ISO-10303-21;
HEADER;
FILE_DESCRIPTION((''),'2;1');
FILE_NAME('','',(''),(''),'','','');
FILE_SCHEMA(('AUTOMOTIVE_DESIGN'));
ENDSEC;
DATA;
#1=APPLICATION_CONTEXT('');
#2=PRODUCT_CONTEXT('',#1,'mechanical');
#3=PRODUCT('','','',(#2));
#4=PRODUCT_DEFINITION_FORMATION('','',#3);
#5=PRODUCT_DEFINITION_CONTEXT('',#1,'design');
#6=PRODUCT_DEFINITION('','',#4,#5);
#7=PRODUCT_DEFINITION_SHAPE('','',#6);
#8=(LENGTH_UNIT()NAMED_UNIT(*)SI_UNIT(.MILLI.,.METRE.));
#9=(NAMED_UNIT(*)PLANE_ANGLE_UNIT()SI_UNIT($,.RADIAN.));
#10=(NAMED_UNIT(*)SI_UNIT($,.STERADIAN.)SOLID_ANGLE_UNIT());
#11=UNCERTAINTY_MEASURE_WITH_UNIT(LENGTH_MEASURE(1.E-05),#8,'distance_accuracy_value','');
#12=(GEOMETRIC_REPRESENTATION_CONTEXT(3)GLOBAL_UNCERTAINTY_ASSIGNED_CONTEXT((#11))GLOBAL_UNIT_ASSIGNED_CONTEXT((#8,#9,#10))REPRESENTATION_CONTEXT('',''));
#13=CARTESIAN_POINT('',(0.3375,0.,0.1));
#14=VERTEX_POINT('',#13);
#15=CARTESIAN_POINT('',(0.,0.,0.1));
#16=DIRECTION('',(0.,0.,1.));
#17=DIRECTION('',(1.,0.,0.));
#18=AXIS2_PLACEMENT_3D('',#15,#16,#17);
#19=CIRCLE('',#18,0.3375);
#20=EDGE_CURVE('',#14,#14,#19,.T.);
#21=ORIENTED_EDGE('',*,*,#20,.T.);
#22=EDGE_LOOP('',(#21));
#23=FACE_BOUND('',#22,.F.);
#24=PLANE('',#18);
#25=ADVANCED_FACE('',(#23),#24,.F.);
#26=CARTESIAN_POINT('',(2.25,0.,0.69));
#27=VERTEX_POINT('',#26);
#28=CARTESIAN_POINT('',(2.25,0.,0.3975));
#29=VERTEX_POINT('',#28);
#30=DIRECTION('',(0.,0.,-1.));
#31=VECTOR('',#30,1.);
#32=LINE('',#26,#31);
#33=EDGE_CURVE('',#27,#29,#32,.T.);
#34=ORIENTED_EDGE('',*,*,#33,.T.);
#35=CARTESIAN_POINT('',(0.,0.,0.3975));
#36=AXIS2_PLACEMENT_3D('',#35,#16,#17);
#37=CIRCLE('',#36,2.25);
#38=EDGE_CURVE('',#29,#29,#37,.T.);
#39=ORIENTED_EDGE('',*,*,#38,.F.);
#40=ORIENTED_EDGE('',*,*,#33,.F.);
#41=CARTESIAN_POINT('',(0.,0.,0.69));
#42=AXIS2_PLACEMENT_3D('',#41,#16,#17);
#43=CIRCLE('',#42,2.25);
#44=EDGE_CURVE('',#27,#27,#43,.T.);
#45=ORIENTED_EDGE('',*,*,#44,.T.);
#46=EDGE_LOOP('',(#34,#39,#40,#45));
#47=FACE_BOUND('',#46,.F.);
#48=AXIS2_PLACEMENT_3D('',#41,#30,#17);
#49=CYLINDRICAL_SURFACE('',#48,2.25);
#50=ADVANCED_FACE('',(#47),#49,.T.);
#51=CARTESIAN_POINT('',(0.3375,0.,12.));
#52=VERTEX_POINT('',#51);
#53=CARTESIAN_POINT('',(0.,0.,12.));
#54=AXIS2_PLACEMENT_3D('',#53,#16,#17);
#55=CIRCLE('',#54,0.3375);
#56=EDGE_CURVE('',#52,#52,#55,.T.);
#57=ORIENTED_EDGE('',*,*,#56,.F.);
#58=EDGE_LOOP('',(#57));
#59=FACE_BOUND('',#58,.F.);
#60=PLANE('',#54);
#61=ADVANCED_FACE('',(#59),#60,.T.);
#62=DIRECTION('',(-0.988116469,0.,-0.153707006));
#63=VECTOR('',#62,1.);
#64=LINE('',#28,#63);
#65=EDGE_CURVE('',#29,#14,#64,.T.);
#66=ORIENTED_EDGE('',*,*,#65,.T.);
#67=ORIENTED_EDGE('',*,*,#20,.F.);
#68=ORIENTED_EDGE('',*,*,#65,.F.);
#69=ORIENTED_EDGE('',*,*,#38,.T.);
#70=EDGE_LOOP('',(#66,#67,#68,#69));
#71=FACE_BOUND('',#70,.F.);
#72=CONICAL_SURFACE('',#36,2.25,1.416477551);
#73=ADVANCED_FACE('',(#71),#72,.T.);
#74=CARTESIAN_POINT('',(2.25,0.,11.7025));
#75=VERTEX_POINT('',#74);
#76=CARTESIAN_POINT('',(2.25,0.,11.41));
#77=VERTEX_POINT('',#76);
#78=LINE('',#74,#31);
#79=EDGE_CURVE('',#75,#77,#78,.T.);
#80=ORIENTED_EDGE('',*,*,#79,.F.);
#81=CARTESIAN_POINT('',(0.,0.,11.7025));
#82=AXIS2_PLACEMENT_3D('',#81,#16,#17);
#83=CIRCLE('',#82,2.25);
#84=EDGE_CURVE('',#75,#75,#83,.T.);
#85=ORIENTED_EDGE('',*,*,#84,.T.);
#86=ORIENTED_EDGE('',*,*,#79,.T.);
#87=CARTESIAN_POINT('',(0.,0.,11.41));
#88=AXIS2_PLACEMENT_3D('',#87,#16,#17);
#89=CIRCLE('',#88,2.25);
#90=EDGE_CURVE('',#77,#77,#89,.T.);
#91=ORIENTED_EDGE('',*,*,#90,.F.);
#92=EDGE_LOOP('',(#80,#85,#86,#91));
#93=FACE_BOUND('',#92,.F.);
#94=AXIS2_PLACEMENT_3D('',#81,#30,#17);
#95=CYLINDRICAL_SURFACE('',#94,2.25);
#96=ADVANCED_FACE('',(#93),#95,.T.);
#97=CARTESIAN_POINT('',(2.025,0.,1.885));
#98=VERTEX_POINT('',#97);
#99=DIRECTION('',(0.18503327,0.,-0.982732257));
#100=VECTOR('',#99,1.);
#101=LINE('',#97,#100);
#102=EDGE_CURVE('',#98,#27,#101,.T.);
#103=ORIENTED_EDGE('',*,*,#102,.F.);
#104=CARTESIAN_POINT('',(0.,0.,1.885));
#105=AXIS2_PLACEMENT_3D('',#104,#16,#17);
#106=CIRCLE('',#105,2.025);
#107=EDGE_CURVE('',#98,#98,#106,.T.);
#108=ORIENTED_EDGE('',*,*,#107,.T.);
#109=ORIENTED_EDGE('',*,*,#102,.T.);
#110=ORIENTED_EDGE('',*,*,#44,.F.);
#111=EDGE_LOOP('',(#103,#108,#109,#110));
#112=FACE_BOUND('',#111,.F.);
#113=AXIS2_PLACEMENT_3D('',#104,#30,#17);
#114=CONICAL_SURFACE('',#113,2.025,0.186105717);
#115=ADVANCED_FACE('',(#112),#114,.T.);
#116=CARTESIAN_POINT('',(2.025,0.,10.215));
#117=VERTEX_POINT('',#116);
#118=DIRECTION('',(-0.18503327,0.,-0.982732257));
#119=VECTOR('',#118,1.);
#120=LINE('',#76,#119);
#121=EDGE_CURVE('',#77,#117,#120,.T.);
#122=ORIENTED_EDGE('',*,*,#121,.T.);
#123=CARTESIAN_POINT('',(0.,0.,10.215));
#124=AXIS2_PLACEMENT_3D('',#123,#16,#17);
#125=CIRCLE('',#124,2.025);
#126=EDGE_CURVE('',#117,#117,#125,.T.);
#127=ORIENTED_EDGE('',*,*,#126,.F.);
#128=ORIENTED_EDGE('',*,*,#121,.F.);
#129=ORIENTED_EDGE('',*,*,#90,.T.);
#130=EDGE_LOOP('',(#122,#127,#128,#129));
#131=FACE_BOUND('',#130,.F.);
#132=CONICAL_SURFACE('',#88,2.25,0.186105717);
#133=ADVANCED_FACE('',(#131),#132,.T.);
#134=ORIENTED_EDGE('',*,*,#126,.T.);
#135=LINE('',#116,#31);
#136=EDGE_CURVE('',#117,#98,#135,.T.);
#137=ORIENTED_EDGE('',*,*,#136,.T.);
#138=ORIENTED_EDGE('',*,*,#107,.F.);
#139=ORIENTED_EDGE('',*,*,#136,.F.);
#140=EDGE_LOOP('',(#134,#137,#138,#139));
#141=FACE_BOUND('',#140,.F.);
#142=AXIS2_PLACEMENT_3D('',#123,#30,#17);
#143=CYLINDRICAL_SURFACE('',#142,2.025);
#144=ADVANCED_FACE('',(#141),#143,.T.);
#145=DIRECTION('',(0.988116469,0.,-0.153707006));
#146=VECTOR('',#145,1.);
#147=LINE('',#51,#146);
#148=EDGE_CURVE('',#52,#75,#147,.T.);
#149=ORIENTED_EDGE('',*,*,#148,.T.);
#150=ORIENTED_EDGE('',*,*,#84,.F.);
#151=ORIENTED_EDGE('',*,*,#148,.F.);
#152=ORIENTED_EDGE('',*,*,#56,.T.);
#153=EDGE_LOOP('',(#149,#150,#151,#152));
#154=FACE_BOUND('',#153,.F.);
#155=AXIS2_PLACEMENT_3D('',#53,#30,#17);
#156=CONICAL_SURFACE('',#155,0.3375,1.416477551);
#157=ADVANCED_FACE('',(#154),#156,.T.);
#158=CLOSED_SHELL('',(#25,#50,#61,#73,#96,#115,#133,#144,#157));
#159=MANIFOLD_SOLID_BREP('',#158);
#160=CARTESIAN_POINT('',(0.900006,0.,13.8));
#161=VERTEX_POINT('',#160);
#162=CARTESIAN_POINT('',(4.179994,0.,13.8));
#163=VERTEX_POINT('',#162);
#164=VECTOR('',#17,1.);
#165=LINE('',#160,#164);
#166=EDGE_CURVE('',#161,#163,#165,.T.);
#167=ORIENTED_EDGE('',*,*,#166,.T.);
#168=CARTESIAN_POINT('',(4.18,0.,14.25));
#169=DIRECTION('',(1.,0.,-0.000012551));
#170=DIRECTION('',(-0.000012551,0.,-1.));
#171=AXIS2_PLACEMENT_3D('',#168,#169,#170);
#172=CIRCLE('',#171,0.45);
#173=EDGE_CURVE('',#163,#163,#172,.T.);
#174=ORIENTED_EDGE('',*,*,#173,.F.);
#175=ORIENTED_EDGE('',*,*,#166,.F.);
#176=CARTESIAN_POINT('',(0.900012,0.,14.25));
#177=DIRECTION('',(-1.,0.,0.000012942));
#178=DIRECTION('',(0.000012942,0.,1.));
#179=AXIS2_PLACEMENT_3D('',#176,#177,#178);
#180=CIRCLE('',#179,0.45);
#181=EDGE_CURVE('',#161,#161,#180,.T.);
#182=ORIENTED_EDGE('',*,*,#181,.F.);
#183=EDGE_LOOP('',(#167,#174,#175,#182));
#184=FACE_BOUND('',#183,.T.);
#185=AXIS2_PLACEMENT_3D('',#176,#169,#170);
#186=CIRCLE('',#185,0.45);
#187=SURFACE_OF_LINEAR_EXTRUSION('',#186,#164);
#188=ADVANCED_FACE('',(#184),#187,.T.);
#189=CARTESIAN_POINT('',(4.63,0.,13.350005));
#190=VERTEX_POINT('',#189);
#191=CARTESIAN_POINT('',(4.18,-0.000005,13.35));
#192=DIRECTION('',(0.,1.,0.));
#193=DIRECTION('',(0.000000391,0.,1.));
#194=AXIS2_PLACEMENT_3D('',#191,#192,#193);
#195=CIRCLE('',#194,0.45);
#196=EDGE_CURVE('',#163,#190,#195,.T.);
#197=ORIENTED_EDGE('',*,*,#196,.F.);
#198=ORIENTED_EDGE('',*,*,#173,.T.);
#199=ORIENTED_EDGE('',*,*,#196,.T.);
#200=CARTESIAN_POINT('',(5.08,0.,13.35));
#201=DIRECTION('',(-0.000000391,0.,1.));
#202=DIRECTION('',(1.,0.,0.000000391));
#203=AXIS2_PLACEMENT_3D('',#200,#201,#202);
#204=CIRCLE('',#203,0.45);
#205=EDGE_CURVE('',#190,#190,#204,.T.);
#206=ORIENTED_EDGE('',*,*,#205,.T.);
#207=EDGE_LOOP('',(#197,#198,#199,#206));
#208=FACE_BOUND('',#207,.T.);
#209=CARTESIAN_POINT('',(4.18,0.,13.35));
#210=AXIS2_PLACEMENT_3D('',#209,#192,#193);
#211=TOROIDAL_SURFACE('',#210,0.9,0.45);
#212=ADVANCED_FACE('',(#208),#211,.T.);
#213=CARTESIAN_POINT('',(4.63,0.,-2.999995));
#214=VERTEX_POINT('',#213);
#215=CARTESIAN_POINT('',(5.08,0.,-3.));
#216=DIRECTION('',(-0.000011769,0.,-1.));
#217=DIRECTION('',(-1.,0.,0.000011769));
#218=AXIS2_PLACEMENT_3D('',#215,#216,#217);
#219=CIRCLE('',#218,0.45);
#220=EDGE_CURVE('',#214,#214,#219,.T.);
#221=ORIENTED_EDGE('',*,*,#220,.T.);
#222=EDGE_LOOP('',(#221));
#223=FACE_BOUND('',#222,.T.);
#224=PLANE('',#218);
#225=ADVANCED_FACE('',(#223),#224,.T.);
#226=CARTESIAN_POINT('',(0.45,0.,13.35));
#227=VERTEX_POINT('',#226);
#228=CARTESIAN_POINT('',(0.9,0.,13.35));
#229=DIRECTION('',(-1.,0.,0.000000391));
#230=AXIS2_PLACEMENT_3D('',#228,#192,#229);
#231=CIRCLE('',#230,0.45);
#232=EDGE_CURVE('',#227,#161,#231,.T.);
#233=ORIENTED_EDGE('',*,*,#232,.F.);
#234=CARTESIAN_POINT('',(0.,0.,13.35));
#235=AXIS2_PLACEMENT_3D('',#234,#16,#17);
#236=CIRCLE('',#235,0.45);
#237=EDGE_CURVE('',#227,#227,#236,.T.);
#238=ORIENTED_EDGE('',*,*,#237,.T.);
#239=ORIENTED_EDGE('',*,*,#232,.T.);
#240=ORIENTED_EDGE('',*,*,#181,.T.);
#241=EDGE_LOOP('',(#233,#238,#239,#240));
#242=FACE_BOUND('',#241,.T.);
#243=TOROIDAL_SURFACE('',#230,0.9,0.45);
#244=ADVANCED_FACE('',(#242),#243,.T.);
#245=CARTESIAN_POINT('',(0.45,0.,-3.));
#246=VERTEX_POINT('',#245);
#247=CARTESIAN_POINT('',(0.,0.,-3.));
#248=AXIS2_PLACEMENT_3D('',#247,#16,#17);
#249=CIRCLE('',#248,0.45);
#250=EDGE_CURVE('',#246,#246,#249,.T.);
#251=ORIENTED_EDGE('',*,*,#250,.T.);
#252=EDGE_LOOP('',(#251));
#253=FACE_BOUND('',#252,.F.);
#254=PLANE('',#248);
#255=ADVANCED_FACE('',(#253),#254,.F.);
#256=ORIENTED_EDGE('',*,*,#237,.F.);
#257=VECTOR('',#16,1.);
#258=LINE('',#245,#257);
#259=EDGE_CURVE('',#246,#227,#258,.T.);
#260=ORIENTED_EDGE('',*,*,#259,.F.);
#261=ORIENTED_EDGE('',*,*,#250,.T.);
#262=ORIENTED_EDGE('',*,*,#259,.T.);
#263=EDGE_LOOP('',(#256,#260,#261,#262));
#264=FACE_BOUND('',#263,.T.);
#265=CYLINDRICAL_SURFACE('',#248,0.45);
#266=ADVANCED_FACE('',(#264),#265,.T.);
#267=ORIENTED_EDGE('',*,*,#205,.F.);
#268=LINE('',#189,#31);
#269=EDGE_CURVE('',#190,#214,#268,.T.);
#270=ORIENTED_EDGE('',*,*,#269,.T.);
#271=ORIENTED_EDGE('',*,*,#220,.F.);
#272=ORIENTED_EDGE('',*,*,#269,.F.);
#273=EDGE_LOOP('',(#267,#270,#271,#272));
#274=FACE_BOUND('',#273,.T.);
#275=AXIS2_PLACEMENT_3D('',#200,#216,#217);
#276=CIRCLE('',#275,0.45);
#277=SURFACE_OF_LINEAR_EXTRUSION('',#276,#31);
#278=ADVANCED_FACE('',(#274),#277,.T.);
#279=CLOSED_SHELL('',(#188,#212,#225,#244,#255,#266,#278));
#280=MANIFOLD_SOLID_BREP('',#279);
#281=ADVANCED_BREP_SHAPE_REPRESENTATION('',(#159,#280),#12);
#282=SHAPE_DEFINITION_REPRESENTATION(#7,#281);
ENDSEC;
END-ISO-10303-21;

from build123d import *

# Parameters (mm, degrees)
SKETCH_R = 0.45


with BuildPart() as sweep_body:
    # Sweep: sweep along a path in Sketch001
    with BuildLine(Plane.XZ) as sweep_path:
        Line((0, -3), (0, 13.35))
        ThreePointArc((0, 13.35), (0.263608, 13.9864), (0.900012, 14.25))
        Line((0.900012, 14.25), (4.18, 14.25))
        ThreePointArc((4.18, 14.25), (4.816396, 13.986396), (5.08, 13.35))
        Line((5.08, 13.35), (5.08, -3))
    # Sketch → Sweep (sweep)
    with BuildSketch(Plane.XY.offset(-2)):
        Circle(SKETCH_R)
    sweep(path=sweep_path.line)


with BuildPart() as revolution:
    # Sketch002 → Revolution (revolve)
    with BuildSketch(Plane.XZ):
        Polygon((0, 0.1), (0, 12), (0.3375, 12), (2.25, 11.7025), (2.25, 11.41), (2.025, 10.215), (2.025, 1.885), (2.25, 0.69), (2.25, 0.3975), (0.3375, 0.1), align=None)
    revolve(axis=Axis((0, 0, 0), (0, 0, 1)))


solid = Compound([sweep_body.part, revolution.part])
